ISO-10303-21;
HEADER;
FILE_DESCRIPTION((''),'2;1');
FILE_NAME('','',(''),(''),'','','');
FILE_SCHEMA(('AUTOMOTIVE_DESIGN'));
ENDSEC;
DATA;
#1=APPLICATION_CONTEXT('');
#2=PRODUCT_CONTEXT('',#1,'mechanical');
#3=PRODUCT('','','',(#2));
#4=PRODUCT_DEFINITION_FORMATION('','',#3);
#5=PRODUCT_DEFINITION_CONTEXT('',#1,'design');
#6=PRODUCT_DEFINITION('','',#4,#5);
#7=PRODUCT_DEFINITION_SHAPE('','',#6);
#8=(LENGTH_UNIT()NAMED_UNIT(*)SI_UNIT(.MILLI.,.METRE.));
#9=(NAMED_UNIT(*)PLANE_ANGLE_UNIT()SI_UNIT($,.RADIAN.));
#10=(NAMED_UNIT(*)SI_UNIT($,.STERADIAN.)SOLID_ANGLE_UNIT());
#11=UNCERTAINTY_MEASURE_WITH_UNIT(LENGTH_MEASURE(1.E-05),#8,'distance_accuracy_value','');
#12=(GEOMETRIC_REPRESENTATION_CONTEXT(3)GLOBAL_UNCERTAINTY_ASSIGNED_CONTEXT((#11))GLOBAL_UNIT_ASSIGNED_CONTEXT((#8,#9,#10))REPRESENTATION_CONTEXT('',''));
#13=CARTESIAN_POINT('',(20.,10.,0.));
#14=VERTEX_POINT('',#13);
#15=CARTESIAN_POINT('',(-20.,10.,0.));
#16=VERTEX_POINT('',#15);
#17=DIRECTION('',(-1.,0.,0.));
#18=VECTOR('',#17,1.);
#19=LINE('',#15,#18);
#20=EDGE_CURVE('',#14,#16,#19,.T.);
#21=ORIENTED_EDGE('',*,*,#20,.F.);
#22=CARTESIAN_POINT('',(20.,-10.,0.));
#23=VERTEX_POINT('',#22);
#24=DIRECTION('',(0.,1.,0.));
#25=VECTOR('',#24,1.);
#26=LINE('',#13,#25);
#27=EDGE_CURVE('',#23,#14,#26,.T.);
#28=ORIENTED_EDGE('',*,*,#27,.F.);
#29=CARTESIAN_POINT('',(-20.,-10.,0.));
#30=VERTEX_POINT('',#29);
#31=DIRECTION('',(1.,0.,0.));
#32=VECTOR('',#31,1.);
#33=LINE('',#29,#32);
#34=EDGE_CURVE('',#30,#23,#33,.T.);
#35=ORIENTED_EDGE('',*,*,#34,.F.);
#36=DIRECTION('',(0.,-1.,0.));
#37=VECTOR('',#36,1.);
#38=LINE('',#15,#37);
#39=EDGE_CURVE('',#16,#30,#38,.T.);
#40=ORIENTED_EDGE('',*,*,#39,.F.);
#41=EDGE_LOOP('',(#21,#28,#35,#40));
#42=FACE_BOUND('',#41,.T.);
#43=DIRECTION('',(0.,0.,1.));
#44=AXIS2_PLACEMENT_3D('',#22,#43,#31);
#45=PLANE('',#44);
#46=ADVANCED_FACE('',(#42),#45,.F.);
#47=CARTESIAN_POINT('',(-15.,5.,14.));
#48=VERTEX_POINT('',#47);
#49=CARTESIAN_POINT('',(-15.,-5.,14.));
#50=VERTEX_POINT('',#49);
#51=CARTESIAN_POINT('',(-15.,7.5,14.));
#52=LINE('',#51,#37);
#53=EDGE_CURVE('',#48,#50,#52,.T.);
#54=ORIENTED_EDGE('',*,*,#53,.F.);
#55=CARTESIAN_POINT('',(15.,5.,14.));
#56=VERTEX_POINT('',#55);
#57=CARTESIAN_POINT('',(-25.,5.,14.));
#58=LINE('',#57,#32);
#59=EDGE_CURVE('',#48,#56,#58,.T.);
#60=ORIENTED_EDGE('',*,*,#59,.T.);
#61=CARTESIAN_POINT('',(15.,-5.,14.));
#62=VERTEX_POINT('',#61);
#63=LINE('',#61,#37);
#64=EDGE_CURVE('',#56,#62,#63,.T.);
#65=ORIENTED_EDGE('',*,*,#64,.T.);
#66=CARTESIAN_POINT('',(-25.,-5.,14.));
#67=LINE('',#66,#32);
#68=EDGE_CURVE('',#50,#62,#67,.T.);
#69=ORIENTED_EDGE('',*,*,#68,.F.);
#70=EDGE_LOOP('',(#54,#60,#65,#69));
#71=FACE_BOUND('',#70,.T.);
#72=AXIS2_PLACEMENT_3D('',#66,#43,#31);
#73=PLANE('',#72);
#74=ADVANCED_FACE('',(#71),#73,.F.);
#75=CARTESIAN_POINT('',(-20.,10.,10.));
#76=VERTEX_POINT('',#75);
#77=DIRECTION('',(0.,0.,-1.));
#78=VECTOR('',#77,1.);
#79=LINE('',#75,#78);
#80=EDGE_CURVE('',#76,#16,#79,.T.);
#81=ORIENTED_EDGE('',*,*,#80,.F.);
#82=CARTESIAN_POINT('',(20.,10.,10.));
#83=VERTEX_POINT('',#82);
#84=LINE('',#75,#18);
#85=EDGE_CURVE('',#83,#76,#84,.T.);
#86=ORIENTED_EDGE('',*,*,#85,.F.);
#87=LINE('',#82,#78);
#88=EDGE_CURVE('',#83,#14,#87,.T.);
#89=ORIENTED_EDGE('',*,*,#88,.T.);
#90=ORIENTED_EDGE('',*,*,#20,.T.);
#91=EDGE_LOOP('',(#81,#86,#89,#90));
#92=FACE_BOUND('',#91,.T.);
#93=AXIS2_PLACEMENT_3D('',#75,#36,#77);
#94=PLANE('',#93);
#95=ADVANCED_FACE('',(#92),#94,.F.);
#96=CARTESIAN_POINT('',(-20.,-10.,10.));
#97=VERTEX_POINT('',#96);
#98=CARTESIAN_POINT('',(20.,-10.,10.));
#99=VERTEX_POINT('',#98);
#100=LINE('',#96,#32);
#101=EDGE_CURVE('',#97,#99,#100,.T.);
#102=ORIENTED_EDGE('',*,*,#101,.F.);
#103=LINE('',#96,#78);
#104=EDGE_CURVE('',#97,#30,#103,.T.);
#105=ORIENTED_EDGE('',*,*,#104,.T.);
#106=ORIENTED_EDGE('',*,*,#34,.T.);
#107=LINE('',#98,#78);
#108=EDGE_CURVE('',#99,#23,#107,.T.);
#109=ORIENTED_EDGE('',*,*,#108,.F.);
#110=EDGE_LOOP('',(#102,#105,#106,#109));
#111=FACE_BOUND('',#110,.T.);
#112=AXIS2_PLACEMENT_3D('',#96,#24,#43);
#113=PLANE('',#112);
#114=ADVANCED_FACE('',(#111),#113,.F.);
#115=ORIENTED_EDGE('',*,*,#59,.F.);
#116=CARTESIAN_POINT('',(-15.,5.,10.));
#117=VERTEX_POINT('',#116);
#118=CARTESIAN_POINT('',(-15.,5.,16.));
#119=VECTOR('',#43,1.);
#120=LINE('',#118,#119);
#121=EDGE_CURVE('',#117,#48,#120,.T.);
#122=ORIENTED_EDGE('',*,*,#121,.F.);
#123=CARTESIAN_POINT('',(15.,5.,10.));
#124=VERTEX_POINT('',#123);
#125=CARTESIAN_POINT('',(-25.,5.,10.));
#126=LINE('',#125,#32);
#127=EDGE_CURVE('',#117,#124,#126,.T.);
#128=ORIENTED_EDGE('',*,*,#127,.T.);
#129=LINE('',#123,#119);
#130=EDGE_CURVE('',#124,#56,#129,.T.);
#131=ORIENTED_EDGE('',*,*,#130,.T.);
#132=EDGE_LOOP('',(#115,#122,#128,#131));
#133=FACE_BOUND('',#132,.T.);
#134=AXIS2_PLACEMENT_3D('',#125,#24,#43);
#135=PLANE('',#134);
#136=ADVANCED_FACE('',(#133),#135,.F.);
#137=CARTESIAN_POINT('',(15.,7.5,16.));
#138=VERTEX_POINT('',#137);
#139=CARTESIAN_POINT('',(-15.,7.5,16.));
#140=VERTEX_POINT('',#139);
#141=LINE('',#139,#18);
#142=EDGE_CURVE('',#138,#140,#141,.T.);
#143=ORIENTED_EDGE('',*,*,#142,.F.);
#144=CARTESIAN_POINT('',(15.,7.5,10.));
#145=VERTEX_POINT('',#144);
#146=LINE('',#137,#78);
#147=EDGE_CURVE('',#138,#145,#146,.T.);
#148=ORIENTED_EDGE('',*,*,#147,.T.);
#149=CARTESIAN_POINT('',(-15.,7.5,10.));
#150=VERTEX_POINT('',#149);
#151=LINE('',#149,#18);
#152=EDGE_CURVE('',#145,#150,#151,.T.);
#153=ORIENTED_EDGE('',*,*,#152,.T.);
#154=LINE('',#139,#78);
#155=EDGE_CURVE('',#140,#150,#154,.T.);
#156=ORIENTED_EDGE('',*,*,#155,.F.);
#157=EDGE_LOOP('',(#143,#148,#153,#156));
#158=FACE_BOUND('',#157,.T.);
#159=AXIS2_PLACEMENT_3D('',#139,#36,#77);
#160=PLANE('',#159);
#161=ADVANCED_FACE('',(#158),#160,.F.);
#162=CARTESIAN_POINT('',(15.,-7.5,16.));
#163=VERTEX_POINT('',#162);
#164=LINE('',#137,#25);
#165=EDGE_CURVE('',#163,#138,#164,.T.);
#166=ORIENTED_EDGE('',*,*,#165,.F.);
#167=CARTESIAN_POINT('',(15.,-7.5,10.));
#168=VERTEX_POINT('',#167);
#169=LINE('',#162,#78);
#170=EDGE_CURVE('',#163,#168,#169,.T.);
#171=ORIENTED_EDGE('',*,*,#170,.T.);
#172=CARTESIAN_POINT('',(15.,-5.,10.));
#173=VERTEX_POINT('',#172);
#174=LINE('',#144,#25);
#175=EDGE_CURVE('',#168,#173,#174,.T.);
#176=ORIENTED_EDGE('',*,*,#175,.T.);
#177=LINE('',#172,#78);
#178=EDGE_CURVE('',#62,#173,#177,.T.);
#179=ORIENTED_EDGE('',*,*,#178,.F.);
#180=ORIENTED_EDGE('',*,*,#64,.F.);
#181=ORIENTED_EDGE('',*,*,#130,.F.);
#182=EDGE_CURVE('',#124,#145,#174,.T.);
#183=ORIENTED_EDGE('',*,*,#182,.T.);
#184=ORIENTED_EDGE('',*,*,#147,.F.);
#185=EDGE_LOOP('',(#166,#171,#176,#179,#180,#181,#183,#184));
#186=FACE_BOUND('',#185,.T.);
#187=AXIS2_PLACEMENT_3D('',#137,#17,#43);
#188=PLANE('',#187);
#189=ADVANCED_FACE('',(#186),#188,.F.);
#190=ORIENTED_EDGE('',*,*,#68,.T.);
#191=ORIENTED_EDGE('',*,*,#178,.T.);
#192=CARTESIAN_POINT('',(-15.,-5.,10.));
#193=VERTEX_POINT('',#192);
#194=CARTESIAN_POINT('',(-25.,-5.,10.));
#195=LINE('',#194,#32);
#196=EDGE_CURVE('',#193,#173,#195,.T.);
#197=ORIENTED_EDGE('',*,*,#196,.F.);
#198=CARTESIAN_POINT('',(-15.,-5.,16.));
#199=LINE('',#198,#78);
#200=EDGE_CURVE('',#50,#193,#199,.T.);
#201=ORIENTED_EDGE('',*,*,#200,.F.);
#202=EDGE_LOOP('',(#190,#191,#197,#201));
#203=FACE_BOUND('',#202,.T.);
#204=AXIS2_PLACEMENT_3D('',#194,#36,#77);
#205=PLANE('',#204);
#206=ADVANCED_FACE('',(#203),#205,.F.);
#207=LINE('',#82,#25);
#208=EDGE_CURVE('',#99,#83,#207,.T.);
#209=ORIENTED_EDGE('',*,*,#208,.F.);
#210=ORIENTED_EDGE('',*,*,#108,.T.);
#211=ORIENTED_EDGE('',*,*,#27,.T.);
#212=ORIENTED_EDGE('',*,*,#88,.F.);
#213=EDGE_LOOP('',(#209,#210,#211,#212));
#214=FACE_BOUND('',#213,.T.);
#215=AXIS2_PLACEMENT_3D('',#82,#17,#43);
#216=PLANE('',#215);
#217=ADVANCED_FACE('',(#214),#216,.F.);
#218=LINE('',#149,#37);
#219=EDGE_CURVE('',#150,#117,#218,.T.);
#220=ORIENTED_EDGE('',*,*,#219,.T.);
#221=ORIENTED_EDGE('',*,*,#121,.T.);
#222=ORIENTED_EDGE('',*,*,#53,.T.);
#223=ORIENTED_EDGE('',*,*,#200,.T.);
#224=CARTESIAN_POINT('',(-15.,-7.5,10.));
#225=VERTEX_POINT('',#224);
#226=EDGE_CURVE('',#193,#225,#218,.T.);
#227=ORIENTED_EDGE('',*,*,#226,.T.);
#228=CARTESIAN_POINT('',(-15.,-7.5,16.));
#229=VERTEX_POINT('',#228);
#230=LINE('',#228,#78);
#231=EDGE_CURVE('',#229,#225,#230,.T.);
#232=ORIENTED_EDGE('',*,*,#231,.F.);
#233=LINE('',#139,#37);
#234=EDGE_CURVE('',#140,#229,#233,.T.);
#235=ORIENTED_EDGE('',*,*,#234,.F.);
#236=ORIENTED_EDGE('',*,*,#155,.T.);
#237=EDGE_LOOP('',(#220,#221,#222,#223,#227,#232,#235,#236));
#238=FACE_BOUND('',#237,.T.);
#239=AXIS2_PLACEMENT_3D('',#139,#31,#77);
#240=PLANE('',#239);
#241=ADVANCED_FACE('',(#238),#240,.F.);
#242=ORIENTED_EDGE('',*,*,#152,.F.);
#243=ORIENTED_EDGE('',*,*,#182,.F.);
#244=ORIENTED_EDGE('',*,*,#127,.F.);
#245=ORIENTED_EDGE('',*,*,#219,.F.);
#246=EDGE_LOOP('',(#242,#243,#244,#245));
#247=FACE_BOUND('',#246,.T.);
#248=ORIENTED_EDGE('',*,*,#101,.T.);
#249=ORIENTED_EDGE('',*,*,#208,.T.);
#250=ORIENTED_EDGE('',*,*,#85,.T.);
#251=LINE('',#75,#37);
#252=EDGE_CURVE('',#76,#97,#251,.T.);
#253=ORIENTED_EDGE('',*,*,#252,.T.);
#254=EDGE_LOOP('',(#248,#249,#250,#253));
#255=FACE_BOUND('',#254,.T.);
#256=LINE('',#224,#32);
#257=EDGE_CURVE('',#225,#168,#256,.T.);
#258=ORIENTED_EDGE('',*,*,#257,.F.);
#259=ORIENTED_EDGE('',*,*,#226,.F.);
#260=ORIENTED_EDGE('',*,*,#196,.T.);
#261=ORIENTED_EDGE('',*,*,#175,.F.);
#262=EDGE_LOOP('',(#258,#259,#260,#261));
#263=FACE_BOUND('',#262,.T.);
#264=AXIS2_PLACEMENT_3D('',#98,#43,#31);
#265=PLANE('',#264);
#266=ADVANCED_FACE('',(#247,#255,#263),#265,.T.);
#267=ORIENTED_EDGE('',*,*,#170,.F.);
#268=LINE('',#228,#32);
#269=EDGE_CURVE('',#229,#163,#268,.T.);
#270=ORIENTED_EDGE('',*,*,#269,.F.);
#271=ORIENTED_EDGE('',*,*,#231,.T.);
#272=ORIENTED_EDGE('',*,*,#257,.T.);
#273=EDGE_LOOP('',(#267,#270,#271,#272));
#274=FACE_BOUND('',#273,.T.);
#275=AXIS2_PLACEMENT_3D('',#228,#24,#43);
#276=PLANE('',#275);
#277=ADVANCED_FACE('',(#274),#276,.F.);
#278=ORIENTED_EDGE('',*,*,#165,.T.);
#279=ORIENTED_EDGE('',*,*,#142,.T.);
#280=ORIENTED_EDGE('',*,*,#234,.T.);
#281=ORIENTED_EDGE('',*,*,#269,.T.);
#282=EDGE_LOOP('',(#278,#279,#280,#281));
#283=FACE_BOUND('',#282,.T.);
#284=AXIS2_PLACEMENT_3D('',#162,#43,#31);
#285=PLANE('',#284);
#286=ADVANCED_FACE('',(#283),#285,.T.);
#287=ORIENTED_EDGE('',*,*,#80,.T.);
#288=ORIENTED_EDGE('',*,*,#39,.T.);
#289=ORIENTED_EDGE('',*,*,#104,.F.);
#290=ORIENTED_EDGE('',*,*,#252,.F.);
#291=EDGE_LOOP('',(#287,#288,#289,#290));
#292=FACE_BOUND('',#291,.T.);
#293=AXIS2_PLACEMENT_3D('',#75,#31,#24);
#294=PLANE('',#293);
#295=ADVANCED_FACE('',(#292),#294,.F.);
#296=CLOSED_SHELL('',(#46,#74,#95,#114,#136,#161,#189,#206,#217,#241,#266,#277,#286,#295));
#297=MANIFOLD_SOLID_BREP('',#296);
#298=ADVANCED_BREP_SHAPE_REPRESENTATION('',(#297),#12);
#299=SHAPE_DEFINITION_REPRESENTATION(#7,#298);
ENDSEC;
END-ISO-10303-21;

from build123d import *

# Parameters (mm, degrees)
SKETCH_1_W          = 40
SKETCH_1_H          = 20
EXTRUDE_1_DEPTH     = 10
SKETCH_2_W          = 30
SKETCH_2_H          = 15
EXTRUDE_2_DEPTH     = 6
SKETCH_3_W          = 4
SKETCH_3_H          = 10
CUT_EXTRUDE_1_DEPTH = 40


with BuildPart() as part:
    # 草图1 → 凸台-拉伸1 (new body)
    with BuildSketch(Plane.XY):
        Rectangle(SKETCH_1_W, SKETCH_1_H)
    extrude(amount=EXTRUDE_1_DEPTH)

    # 草图2 → 凸台-拉伸2 (add)
    with BuildSketch(Plane.XY.offset(10)):
        Rectangle(SKETCH_2_W, SKETCH_2_H)
    extrude(amount=EXTRUDE_2_DEPTH)

    # 草图3 → 切除-拉伸1 (cut)
    with BuildSketch(Plane(origin=(15, 0, 0), x_dir=(0, 0, -1), z_dir=(1, 0, 0))):
        with Locations((-12, 0)):
            Rectangle(SKETCH_3_W, SKETCH_3_H)
    extrude(amount=-CUT_EXTRUDE_1_DEPTH, mode=Mode.SUBTRACT)


solid = part.part
